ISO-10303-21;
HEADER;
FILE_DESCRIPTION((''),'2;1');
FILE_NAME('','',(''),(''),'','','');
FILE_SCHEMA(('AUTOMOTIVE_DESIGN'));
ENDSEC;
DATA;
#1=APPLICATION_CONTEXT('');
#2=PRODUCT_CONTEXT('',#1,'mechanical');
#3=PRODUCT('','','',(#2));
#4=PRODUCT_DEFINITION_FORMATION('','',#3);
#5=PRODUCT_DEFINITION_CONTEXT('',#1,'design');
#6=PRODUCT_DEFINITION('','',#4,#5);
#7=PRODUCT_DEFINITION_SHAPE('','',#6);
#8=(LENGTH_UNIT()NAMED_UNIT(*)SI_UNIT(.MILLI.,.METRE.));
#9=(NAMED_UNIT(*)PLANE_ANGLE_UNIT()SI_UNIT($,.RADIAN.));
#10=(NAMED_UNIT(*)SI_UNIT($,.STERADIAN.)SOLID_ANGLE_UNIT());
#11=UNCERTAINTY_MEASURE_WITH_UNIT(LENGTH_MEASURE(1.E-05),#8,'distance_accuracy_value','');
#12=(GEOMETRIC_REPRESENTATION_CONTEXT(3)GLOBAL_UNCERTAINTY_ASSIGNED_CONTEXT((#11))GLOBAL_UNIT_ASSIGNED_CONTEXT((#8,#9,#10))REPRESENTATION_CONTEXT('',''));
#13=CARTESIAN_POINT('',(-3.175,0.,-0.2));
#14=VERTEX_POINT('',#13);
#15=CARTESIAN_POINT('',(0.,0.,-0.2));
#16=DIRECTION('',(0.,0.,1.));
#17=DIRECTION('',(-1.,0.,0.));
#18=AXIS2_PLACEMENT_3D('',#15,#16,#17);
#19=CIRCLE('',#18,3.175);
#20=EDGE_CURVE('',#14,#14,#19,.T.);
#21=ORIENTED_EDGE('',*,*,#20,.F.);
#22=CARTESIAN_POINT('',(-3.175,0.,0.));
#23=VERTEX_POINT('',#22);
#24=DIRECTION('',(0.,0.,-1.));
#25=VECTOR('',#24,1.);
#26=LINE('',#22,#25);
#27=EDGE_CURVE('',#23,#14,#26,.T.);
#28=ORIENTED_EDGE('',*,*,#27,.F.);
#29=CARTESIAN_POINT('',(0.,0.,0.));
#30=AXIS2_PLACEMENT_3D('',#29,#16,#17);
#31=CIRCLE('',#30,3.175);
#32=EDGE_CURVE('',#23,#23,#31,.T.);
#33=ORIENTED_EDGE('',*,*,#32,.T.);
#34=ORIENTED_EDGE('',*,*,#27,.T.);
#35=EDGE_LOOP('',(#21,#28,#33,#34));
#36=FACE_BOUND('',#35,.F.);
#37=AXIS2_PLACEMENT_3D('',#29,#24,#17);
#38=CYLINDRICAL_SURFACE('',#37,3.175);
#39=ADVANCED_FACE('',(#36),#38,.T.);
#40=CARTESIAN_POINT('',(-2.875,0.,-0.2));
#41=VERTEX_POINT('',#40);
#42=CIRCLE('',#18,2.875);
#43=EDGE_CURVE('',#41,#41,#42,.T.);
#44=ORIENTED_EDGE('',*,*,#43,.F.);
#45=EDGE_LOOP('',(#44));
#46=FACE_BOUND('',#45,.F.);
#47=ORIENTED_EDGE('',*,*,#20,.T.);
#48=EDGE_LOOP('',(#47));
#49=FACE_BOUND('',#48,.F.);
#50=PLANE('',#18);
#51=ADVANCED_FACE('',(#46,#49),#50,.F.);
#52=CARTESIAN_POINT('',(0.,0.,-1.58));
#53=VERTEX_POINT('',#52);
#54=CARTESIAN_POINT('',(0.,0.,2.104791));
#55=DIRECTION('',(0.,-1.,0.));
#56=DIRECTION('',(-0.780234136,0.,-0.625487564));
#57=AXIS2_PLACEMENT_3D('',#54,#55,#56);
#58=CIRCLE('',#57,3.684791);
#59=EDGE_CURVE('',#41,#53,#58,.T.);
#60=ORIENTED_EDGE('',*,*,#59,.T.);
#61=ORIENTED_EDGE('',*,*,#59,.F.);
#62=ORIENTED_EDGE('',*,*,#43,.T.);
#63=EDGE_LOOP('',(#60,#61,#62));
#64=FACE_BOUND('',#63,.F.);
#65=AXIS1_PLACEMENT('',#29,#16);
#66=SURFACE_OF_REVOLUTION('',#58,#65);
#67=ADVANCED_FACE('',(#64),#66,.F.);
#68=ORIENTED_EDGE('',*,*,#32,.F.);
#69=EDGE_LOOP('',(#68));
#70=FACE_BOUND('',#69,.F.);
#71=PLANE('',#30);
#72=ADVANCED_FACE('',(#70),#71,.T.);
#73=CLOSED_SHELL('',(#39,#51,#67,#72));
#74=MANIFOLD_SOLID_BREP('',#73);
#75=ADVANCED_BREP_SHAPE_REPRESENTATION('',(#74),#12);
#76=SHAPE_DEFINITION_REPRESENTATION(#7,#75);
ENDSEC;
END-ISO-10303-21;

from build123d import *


with BuildPart() as part:
    # Sketch → Revolution (revolve)
    with BuildSketch(Plane.XZ):
        with BuildLine():
            Line((0, 0), (-3.175, 0))
            Line((-3.175, 0), (-3.175, -0.2))
            Line((-3.175, -0.2), (-2.875, -0.2))
            ThreePointArc((-2.875, -0.2), (-1.594524, -1.217133), (0, -1.58))
            Line((0, -1.58), (0, 0))
        make_face()
    revolve(axis=Axis((0, 0, 0), (0, 0, 1)))


solid = part.part
